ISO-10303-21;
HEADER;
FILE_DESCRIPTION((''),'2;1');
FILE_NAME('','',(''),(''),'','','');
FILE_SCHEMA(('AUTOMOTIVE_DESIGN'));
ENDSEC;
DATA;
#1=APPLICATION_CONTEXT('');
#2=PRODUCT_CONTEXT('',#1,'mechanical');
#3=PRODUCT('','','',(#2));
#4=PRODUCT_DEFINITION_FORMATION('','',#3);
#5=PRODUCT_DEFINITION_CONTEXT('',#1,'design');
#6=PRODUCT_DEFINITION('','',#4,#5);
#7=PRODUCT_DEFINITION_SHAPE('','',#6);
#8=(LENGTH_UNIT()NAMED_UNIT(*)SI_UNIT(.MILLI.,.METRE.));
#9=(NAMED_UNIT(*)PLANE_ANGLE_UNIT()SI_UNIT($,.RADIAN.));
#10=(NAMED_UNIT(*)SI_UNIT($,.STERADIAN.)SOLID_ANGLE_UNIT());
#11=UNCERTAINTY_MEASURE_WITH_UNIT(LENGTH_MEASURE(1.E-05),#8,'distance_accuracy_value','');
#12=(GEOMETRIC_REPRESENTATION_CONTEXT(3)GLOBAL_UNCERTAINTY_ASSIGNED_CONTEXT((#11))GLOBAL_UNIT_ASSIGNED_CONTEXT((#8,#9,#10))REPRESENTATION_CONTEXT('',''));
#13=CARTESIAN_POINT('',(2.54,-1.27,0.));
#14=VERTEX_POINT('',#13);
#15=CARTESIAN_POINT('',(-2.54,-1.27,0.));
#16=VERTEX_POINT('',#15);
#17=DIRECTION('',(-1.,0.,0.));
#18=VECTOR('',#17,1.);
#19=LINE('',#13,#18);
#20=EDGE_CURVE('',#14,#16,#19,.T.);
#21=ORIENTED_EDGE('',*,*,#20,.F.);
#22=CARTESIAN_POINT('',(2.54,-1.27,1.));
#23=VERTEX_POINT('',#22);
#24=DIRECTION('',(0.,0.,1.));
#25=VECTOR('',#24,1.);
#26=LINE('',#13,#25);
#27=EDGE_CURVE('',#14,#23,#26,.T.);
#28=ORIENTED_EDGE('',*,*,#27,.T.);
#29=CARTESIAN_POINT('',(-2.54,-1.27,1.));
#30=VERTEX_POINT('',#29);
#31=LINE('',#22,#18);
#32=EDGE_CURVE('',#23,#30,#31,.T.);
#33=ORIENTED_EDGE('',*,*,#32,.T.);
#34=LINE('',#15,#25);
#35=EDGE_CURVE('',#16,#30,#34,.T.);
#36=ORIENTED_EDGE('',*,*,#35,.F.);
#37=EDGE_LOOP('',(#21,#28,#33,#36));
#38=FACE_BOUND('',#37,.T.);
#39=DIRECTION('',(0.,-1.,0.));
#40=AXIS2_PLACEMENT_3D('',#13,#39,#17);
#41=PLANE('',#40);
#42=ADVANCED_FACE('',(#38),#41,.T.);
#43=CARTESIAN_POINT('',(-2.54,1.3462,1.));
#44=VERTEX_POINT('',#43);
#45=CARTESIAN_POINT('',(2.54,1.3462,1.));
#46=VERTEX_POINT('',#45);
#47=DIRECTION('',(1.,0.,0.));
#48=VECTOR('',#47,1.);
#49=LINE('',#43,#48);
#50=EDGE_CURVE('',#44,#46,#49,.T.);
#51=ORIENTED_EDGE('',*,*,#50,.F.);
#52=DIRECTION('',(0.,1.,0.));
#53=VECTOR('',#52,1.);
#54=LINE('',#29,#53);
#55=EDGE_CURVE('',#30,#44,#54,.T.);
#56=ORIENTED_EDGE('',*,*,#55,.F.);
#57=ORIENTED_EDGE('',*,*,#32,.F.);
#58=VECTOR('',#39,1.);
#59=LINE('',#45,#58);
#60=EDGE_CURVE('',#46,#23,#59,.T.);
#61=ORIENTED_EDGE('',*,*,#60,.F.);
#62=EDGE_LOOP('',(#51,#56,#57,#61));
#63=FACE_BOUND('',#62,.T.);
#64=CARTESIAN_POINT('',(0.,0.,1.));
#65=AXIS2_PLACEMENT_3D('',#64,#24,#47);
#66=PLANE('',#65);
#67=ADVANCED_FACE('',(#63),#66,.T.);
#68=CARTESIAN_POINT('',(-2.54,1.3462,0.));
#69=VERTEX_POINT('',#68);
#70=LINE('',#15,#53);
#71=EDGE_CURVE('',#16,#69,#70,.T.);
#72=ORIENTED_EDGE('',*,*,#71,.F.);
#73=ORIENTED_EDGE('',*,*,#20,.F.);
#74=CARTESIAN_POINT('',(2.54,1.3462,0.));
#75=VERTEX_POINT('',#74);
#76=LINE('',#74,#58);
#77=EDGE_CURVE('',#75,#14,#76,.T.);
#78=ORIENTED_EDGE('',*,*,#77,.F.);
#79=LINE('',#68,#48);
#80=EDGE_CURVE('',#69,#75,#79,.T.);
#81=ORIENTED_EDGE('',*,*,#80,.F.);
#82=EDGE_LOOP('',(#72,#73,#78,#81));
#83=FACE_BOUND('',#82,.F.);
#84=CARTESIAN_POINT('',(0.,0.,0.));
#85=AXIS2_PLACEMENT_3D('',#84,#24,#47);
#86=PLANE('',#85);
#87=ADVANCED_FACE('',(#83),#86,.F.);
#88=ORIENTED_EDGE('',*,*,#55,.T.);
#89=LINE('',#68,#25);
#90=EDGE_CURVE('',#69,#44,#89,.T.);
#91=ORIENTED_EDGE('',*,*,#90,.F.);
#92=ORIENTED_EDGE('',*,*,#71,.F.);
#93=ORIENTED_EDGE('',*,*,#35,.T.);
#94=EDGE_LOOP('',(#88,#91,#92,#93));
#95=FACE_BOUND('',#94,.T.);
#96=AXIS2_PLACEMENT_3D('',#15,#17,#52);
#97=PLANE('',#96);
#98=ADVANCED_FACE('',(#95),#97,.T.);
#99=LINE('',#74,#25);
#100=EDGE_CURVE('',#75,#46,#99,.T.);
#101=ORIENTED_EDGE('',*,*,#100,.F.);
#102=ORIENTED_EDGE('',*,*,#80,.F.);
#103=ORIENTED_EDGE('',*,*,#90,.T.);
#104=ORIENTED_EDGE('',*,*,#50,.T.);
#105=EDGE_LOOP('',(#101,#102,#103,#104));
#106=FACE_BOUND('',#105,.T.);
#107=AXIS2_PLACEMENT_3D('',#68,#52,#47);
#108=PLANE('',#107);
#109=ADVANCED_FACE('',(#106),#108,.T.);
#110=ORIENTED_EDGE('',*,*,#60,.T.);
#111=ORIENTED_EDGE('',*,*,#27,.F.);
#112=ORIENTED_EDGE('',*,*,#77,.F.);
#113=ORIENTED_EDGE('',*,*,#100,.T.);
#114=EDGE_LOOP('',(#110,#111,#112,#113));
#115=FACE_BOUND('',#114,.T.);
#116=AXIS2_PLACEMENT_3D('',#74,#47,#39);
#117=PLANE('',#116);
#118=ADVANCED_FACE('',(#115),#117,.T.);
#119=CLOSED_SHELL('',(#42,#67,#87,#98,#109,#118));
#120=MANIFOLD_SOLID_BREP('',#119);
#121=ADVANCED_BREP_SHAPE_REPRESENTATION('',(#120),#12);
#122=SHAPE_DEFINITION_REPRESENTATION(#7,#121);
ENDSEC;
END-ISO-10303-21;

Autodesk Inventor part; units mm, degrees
ref_plane "YZ Plane" through (0, 0, 0) normal (1, 0, 0) x (0, 1, 0)
ref_plane "XZ Plane" through (0, 0, 0) normal (0, 1, 0) x (-1, 0, 0)
ref_plane "XY Plane" through (0, 0, 0) normal (0, 0, 1) x (1, 0, 0)
sketch "1X02, 1X02_26" plane through (0, 0, 0) normal (0, 0, 1) x (1, 0, 0)
  line L0 (-2.54, 1.3462) -> (2.54, 1.3462)
  line L1 (2.54, 1.3462) -> (2.54, -1.27)
  line L2 (2.54, -1.27) -> (-2.54, -1.27)
  line L3 (-2.54, -1.27) -> (-2.54, 1.3462)
extrude "Extrusion1" add sketch "1X02, 1X02_26" along normal blind 1
properties part number "1X02"
